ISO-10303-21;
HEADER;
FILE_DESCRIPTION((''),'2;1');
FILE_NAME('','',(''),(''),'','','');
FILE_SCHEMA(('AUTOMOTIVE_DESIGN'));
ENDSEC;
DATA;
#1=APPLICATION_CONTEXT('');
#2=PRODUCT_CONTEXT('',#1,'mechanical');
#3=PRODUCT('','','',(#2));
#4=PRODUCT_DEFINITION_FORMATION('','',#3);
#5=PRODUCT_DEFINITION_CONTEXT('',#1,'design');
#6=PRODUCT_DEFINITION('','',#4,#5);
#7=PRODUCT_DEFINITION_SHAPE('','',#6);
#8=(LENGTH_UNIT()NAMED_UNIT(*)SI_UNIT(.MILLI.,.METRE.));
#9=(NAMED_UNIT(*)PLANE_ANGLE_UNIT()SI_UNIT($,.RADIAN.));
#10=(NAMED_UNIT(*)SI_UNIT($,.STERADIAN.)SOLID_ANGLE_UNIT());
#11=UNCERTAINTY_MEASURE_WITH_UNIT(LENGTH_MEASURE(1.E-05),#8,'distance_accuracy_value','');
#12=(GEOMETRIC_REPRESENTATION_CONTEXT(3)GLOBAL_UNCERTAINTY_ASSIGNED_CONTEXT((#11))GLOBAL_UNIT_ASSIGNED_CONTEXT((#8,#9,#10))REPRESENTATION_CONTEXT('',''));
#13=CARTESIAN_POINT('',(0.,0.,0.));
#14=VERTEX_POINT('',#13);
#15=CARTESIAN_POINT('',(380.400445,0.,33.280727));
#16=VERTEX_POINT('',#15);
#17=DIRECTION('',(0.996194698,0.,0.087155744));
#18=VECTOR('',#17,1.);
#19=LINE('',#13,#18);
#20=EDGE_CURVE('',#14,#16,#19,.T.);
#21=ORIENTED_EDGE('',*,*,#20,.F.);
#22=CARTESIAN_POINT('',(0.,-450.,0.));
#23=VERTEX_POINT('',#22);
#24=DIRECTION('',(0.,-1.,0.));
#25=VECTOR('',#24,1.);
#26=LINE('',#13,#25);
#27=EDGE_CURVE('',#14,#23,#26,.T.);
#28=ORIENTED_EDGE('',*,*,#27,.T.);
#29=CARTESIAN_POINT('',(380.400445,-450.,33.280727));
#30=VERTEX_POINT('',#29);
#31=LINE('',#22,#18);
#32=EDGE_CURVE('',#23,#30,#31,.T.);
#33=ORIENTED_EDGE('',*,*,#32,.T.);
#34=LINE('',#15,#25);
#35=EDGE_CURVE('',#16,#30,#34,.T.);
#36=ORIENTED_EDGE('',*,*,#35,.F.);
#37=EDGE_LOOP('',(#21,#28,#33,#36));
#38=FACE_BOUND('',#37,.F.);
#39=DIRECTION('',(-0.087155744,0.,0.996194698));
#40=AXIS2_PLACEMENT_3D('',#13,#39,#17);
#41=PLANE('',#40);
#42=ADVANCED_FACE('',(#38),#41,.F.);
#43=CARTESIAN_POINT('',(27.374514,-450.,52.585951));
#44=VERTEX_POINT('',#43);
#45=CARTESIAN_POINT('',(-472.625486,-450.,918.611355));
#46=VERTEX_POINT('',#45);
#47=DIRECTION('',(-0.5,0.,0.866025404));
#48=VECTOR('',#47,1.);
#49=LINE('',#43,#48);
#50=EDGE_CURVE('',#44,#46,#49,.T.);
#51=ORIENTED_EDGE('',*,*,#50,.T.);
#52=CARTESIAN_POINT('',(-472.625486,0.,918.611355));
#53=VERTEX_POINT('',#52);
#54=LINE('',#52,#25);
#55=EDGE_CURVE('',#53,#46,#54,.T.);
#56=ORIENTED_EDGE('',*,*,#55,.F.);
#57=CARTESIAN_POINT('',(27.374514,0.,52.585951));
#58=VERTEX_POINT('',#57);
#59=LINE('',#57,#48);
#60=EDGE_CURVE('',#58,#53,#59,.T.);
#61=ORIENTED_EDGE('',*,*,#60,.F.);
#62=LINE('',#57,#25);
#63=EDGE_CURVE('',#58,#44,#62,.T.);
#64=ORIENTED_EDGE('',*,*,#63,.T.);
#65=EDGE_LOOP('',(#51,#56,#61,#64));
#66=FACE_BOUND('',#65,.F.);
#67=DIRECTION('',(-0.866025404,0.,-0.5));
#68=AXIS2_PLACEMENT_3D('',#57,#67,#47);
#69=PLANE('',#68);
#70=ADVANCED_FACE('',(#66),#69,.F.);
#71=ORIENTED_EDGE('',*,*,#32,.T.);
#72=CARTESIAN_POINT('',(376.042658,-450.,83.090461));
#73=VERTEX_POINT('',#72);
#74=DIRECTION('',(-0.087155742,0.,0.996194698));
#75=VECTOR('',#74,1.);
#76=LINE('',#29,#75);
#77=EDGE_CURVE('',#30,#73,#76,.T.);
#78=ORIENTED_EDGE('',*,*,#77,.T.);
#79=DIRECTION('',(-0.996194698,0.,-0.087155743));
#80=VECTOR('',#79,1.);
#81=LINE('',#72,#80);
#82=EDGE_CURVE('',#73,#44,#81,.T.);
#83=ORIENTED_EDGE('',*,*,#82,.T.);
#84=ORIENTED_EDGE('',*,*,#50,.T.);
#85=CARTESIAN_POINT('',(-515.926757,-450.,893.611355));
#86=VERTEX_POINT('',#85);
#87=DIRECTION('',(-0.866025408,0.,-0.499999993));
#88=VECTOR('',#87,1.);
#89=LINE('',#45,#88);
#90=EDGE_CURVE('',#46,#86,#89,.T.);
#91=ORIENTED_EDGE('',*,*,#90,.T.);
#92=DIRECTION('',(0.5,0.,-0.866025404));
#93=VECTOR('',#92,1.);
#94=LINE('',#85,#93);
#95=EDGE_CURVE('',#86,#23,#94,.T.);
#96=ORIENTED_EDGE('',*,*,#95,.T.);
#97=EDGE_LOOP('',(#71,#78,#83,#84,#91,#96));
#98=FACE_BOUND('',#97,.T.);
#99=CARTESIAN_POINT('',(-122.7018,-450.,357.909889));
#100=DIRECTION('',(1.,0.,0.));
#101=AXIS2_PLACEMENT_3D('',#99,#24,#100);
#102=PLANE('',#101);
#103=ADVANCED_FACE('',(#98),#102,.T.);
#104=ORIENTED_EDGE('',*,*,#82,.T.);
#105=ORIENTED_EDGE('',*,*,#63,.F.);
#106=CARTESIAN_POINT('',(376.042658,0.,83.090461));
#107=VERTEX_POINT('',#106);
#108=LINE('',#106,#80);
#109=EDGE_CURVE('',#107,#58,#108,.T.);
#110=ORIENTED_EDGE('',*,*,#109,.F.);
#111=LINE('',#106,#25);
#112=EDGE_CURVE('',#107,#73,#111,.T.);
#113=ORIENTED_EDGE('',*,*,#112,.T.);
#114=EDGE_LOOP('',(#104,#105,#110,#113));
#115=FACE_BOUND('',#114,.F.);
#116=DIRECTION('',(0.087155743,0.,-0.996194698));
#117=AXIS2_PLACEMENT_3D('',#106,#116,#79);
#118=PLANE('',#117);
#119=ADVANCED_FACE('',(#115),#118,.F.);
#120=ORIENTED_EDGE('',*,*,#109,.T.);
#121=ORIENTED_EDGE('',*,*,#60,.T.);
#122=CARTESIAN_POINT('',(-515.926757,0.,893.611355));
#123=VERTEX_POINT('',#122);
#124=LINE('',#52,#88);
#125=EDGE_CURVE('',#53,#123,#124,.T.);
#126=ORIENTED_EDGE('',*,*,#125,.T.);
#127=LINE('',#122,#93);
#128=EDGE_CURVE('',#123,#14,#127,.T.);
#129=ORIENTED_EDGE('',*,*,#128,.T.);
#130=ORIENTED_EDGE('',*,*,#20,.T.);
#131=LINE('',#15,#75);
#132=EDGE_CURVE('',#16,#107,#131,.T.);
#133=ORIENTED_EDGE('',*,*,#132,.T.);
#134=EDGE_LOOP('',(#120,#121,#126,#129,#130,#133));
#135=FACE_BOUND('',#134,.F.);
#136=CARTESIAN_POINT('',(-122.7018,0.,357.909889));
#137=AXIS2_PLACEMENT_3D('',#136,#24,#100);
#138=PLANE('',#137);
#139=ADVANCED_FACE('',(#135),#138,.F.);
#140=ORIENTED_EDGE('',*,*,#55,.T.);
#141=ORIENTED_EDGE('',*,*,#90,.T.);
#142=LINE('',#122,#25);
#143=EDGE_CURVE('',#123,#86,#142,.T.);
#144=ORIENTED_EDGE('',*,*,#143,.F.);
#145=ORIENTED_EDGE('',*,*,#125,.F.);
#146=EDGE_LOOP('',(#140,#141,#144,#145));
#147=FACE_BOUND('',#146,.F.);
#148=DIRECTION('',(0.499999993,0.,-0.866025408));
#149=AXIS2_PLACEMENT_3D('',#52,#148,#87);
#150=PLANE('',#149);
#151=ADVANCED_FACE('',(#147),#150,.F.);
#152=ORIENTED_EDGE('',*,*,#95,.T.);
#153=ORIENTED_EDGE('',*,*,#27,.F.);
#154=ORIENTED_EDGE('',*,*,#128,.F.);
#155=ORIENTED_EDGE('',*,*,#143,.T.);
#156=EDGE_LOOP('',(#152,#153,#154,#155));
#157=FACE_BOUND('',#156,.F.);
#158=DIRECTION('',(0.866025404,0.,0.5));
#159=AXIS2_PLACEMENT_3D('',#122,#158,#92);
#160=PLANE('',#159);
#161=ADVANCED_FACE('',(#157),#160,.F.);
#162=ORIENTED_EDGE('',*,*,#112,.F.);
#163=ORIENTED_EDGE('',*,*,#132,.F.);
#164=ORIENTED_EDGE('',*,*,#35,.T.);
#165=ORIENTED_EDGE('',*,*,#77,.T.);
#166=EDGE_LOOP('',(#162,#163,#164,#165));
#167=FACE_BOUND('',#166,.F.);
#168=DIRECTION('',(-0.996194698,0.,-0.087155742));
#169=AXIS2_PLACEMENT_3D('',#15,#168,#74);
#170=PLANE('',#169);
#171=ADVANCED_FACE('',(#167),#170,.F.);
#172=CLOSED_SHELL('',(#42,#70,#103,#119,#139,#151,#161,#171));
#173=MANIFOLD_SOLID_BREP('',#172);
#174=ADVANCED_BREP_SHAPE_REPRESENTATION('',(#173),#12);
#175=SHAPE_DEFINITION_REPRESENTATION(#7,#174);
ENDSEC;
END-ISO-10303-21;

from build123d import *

# Parameters (mm, degrees)
PAD_DEPTH = 450


with BuildPart() as part:
    # Sketch → Pad (new body)
    with BuildSketch(Plane.XZ):
        Polygon((376.042658, 83.090461), (27.374514, 52.585951), (-472.625486, 918.611355), (-515.926757, 893.611355), (0, 0), (380.400445, 33.280727), align=None)
    extrude(amount=PAD_DEPTH)


solid = part.part
